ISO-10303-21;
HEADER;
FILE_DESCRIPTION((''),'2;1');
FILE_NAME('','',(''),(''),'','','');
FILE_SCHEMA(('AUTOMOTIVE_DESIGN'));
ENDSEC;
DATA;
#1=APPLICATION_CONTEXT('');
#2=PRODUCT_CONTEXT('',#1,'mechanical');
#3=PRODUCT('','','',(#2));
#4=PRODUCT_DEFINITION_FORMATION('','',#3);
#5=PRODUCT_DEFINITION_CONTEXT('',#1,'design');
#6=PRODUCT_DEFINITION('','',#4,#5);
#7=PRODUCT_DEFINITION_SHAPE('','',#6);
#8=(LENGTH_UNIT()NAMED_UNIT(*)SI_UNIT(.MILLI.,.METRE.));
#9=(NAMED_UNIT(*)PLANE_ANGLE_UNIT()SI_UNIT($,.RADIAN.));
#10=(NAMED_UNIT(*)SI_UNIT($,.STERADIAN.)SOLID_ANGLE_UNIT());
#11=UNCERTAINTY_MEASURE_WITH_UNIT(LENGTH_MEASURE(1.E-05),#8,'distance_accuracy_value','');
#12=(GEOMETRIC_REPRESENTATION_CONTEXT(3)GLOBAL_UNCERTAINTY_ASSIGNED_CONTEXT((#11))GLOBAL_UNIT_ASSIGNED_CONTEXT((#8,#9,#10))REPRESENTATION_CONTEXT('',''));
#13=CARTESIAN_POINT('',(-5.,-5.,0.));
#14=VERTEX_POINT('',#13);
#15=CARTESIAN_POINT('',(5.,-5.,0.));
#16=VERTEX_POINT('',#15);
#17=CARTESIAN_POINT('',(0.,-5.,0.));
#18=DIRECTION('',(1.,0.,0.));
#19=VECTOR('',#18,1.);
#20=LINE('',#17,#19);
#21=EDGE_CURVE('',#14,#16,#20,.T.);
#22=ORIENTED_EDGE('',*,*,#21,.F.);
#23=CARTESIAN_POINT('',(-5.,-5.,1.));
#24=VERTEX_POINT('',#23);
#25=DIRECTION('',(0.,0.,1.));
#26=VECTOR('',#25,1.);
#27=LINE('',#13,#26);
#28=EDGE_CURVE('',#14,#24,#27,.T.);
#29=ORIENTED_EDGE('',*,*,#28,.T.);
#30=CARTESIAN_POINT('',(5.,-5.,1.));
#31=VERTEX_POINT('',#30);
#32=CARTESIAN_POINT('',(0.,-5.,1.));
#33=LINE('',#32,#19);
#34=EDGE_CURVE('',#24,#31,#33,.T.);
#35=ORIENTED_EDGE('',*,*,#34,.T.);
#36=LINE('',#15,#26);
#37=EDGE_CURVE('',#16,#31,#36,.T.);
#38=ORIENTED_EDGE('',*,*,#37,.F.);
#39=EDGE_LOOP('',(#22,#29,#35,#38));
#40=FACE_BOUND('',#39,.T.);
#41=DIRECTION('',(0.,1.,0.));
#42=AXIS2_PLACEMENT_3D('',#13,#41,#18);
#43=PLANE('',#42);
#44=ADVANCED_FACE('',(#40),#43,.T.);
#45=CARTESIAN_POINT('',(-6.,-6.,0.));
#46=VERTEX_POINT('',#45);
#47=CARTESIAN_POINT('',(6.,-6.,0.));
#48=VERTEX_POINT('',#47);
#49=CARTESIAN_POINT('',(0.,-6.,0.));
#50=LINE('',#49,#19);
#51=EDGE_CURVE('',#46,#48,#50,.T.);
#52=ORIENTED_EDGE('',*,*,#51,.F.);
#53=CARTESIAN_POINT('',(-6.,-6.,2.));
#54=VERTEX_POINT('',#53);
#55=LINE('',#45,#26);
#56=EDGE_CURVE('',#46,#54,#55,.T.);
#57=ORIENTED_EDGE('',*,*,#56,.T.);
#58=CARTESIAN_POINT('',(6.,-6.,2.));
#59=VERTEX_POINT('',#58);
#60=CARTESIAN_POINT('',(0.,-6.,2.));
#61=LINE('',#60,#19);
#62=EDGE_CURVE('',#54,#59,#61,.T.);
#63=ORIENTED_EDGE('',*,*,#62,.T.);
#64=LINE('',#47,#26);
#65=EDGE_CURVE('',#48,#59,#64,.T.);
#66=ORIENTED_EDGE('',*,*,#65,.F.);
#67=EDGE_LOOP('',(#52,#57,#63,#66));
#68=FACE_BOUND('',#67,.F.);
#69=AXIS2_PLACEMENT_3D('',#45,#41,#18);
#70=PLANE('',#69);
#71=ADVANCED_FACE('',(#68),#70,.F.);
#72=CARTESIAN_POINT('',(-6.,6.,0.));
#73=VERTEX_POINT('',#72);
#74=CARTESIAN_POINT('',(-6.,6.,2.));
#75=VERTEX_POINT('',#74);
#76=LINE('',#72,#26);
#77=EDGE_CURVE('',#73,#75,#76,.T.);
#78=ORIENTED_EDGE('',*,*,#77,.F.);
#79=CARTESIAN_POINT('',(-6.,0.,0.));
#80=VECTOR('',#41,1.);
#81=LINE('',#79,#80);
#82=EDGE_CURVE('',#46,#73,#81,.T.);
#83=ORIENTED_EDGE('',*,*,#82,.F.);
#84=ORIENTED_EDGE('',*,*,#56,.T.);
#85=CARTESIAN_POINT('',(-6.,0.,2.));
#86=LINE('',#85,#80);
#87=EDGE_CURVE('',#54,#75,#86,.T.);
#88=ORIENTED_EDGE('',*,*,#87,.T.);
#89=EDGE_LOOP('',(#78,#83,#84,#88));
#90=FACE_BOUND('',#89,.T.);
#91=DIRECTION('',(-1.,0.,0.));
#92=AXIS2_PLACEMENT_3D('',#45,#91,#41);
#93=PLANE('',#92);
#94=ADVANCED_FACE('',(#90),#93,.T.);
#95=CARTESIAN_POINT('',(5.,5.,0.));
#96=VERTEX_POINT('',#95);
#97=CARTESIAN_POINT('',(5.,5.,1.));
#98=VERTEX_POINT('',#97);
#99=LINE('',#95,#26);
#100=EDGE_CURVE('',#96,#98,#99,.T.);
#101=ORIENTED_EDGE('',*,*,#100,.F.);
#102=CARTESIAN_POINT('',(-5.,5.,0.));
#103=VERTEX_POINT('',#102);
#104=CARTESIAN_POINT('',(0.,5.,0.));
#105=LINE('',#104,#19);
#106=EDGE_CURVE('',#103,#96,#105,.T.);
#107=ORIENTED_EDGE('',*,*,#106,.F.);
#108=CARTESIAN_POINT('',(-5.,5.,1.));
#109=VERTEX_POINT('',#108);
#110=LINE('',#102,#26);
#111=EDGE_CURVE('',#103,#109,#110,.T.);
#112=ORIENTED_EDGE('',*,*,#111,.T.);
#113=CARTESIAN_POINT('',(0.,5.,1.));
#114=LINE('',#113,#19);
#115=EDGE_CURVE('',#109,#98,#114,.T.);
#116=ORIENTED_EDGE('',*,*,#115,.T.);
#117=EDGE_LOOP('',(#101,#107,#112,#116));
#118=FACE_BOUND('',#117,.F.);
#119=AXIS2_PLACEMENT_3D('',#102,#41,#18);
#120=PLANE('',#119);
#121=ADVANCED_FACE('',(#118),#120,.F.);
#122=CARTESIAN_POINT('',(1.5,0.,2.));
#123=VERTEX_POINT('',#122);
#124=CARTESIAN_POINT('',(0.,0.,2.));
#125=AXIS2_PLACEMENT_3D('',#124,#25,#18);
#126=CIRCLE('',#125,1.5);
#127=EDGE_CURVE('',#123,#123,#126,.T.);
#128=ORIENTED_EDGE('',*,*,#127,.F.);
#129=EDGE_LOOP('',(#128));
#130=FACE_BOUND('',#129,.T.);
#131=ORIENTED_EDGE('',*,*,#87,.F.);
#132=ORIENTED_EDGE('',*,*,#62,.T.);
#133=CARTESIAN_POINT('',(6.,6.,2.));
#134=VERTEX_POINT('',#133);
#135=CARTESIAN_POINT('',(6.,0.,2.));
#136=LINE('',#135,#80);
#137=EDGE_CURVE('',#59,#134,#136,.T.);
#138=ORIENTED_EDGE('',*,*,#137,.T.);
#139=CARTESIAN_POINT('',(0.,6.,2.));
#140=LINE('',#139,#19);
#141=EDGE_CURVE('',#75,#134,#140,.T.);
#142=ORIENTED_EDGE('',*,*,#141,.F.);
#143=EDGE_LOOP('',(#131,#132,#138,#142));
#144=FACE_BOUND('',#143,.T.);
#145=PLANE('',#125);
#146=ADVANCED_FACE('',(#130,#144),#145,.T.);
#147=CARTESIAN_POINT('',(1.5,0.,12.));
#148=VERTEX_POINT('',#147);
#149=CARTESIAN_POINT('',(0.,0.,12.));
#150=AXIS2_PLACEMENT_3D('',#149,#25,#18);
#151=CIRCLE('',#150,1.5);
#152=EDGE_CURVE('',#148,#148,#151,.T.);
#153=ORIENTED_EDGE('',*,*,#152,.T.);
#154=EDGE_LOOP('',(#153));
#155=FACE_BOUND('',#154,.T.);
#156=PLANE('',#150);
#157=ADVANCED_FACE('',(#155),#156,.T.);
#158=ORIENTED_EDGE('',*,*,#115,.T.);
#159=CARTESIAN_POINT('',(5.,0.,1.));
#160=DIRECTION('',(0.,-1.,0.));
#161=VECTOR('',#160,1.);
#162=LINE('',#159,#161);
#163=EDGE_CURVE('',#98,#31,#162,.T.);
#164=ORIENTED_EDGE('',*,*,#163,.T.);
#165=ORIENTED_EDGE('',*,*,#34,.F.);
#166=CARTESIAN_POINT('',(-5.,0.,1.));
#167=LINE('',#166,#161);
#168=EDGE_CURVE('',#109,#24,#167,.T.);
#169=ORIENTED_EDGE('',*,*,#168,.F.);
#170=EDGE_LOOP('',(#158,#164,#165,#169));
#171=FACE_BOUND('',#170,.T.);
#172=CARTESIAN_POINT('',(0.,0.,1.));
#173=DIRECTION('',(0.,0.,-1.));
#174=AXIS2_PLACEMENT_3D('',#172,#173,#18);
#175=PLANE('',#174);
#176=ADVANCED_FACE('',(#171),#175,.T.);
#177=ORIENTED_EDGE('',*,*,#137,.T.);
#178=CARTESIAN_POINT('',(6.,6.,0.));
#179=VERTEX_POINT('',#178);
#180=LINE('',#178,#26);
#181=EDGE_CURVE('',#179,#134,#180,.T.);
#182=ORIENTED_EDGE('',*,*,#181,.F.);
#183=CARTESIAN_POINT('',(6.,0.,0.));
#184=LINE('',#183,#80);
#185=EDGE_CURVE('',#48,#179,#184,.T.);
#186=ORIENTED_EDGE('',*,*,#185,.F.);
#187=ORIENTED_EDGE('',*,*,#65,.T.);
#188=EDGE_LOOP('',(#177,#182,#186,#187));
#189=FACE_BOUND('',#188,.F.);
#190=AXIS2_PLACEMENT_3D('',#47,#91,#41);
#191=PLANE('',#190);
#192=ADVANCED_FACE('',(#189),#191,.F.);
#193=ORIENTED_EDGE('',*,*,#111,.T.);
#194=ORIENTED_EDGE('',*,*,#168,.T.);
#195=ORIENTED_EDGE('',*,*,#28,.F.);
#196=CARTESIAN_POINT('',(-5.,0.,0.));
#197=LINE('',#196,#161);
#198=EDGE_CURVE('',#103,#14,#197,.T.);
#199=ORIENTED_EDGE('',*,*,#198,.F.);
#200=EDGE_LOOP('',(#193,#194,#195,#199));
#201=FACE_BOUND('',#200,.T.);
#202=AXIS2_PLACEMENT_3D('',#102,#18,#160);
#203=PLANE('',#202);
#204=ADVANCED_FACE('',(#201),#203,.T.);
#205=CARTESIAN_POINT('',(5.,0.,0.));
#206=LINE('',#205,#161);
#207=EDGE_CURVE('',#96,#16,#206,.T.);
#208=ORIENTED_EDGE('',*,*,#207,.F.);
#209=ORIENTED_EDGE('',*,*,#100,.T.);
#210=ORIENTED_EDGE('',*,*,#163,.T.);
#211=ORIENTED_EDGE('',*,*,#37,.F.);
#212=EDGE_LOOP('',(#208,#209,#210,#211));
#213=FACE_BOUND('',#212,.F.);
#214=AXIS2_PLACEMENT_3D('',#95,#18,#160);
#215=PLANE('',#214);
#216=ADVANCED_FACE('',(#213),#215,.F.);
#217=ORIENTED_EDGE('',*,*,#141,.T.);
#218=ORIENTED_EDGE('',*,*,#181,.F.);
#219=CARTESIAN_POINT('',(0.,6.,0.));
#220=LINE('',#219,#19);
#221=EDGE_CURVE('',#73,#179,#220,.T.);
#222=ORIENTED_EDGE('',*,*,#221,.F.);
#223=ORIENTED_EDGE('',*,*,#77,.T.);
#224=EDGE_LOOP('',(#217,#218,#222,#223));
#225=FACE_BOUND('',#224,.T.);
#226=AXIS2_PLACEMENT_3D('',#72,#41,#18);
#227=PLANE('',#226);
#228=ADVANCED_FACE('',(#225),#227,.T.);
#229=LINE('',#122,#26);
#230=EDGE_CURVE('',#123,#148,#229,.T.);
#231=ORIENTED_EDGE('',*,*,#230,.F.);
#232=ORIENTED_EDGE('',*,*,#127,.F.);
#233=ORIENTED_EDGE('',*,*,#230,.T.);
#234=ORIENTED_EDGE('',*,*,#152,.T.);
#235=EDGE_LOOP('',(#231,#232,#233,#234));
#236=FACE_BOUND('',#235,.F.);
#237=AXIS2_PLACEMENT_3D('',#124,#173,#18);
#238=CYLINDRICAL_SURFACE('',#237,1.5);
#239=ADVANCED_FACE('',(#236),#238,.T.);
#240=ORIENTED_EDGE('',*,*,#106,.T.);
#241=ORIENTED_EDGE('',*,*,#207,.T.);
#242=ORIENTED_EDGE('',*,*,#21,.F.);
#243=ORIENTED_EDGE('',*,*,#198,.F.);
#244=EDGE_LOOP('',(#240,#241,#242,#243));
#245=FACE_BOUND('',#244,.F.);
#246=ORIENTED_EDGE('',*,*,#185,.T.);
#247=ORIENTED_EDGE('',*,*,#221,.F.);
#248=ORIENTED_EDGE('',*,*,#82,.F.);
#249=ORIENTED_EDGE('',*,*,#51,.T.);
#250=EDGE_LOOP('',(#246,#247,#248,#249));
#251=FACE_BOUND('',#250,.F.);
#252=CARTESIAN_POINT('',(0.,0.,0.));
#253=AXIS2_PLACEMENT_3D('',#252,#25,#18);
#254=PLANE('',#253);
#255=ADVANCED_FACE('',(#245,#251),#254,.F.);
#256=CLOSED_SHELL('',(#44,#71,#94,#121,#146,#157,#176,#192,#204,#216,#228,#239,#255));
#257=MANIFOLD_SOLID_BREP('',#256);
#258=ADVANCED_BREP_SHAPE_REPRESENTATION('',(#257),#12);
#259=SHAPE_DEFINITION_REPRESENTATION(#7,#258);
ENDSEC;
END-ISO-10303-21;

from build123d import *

# Parameters (mm, degrees)
F0_W     = 12
F0_H     = 12
F1_DEPTH = 2
F2_R     = 1.5
F3_DEPTH = 10
F4_W     = 10
F4_H     = 10
F5_DEPTH = 1


with BuildPart() as f1:
    # F0 (on Top) → F1 (new body)
    with BuildSketch(Plane.XY):
        Rectangle(F0_W, F0_H)
    extrude(amount=F1_DEPTH)

    # F2 (on face) → F3 (join)
    with BuildSketch(Plane.XY.offset(2)):
        Circle(F2_R)
    extrude(amount=F3_DEPTH)

    # F4 (on face) → F5 (cut)
    with BuildSketch(Plane(origin=(0, 0, 0), x_dir=(1, 0, 0), z_dir=(0, 0, -1))):
        Rectangle(F4_W, F4_H)
    extrude(amount=-F5_DEPTH, mode=Mode.SUBTRACT)


solid = f1.part
